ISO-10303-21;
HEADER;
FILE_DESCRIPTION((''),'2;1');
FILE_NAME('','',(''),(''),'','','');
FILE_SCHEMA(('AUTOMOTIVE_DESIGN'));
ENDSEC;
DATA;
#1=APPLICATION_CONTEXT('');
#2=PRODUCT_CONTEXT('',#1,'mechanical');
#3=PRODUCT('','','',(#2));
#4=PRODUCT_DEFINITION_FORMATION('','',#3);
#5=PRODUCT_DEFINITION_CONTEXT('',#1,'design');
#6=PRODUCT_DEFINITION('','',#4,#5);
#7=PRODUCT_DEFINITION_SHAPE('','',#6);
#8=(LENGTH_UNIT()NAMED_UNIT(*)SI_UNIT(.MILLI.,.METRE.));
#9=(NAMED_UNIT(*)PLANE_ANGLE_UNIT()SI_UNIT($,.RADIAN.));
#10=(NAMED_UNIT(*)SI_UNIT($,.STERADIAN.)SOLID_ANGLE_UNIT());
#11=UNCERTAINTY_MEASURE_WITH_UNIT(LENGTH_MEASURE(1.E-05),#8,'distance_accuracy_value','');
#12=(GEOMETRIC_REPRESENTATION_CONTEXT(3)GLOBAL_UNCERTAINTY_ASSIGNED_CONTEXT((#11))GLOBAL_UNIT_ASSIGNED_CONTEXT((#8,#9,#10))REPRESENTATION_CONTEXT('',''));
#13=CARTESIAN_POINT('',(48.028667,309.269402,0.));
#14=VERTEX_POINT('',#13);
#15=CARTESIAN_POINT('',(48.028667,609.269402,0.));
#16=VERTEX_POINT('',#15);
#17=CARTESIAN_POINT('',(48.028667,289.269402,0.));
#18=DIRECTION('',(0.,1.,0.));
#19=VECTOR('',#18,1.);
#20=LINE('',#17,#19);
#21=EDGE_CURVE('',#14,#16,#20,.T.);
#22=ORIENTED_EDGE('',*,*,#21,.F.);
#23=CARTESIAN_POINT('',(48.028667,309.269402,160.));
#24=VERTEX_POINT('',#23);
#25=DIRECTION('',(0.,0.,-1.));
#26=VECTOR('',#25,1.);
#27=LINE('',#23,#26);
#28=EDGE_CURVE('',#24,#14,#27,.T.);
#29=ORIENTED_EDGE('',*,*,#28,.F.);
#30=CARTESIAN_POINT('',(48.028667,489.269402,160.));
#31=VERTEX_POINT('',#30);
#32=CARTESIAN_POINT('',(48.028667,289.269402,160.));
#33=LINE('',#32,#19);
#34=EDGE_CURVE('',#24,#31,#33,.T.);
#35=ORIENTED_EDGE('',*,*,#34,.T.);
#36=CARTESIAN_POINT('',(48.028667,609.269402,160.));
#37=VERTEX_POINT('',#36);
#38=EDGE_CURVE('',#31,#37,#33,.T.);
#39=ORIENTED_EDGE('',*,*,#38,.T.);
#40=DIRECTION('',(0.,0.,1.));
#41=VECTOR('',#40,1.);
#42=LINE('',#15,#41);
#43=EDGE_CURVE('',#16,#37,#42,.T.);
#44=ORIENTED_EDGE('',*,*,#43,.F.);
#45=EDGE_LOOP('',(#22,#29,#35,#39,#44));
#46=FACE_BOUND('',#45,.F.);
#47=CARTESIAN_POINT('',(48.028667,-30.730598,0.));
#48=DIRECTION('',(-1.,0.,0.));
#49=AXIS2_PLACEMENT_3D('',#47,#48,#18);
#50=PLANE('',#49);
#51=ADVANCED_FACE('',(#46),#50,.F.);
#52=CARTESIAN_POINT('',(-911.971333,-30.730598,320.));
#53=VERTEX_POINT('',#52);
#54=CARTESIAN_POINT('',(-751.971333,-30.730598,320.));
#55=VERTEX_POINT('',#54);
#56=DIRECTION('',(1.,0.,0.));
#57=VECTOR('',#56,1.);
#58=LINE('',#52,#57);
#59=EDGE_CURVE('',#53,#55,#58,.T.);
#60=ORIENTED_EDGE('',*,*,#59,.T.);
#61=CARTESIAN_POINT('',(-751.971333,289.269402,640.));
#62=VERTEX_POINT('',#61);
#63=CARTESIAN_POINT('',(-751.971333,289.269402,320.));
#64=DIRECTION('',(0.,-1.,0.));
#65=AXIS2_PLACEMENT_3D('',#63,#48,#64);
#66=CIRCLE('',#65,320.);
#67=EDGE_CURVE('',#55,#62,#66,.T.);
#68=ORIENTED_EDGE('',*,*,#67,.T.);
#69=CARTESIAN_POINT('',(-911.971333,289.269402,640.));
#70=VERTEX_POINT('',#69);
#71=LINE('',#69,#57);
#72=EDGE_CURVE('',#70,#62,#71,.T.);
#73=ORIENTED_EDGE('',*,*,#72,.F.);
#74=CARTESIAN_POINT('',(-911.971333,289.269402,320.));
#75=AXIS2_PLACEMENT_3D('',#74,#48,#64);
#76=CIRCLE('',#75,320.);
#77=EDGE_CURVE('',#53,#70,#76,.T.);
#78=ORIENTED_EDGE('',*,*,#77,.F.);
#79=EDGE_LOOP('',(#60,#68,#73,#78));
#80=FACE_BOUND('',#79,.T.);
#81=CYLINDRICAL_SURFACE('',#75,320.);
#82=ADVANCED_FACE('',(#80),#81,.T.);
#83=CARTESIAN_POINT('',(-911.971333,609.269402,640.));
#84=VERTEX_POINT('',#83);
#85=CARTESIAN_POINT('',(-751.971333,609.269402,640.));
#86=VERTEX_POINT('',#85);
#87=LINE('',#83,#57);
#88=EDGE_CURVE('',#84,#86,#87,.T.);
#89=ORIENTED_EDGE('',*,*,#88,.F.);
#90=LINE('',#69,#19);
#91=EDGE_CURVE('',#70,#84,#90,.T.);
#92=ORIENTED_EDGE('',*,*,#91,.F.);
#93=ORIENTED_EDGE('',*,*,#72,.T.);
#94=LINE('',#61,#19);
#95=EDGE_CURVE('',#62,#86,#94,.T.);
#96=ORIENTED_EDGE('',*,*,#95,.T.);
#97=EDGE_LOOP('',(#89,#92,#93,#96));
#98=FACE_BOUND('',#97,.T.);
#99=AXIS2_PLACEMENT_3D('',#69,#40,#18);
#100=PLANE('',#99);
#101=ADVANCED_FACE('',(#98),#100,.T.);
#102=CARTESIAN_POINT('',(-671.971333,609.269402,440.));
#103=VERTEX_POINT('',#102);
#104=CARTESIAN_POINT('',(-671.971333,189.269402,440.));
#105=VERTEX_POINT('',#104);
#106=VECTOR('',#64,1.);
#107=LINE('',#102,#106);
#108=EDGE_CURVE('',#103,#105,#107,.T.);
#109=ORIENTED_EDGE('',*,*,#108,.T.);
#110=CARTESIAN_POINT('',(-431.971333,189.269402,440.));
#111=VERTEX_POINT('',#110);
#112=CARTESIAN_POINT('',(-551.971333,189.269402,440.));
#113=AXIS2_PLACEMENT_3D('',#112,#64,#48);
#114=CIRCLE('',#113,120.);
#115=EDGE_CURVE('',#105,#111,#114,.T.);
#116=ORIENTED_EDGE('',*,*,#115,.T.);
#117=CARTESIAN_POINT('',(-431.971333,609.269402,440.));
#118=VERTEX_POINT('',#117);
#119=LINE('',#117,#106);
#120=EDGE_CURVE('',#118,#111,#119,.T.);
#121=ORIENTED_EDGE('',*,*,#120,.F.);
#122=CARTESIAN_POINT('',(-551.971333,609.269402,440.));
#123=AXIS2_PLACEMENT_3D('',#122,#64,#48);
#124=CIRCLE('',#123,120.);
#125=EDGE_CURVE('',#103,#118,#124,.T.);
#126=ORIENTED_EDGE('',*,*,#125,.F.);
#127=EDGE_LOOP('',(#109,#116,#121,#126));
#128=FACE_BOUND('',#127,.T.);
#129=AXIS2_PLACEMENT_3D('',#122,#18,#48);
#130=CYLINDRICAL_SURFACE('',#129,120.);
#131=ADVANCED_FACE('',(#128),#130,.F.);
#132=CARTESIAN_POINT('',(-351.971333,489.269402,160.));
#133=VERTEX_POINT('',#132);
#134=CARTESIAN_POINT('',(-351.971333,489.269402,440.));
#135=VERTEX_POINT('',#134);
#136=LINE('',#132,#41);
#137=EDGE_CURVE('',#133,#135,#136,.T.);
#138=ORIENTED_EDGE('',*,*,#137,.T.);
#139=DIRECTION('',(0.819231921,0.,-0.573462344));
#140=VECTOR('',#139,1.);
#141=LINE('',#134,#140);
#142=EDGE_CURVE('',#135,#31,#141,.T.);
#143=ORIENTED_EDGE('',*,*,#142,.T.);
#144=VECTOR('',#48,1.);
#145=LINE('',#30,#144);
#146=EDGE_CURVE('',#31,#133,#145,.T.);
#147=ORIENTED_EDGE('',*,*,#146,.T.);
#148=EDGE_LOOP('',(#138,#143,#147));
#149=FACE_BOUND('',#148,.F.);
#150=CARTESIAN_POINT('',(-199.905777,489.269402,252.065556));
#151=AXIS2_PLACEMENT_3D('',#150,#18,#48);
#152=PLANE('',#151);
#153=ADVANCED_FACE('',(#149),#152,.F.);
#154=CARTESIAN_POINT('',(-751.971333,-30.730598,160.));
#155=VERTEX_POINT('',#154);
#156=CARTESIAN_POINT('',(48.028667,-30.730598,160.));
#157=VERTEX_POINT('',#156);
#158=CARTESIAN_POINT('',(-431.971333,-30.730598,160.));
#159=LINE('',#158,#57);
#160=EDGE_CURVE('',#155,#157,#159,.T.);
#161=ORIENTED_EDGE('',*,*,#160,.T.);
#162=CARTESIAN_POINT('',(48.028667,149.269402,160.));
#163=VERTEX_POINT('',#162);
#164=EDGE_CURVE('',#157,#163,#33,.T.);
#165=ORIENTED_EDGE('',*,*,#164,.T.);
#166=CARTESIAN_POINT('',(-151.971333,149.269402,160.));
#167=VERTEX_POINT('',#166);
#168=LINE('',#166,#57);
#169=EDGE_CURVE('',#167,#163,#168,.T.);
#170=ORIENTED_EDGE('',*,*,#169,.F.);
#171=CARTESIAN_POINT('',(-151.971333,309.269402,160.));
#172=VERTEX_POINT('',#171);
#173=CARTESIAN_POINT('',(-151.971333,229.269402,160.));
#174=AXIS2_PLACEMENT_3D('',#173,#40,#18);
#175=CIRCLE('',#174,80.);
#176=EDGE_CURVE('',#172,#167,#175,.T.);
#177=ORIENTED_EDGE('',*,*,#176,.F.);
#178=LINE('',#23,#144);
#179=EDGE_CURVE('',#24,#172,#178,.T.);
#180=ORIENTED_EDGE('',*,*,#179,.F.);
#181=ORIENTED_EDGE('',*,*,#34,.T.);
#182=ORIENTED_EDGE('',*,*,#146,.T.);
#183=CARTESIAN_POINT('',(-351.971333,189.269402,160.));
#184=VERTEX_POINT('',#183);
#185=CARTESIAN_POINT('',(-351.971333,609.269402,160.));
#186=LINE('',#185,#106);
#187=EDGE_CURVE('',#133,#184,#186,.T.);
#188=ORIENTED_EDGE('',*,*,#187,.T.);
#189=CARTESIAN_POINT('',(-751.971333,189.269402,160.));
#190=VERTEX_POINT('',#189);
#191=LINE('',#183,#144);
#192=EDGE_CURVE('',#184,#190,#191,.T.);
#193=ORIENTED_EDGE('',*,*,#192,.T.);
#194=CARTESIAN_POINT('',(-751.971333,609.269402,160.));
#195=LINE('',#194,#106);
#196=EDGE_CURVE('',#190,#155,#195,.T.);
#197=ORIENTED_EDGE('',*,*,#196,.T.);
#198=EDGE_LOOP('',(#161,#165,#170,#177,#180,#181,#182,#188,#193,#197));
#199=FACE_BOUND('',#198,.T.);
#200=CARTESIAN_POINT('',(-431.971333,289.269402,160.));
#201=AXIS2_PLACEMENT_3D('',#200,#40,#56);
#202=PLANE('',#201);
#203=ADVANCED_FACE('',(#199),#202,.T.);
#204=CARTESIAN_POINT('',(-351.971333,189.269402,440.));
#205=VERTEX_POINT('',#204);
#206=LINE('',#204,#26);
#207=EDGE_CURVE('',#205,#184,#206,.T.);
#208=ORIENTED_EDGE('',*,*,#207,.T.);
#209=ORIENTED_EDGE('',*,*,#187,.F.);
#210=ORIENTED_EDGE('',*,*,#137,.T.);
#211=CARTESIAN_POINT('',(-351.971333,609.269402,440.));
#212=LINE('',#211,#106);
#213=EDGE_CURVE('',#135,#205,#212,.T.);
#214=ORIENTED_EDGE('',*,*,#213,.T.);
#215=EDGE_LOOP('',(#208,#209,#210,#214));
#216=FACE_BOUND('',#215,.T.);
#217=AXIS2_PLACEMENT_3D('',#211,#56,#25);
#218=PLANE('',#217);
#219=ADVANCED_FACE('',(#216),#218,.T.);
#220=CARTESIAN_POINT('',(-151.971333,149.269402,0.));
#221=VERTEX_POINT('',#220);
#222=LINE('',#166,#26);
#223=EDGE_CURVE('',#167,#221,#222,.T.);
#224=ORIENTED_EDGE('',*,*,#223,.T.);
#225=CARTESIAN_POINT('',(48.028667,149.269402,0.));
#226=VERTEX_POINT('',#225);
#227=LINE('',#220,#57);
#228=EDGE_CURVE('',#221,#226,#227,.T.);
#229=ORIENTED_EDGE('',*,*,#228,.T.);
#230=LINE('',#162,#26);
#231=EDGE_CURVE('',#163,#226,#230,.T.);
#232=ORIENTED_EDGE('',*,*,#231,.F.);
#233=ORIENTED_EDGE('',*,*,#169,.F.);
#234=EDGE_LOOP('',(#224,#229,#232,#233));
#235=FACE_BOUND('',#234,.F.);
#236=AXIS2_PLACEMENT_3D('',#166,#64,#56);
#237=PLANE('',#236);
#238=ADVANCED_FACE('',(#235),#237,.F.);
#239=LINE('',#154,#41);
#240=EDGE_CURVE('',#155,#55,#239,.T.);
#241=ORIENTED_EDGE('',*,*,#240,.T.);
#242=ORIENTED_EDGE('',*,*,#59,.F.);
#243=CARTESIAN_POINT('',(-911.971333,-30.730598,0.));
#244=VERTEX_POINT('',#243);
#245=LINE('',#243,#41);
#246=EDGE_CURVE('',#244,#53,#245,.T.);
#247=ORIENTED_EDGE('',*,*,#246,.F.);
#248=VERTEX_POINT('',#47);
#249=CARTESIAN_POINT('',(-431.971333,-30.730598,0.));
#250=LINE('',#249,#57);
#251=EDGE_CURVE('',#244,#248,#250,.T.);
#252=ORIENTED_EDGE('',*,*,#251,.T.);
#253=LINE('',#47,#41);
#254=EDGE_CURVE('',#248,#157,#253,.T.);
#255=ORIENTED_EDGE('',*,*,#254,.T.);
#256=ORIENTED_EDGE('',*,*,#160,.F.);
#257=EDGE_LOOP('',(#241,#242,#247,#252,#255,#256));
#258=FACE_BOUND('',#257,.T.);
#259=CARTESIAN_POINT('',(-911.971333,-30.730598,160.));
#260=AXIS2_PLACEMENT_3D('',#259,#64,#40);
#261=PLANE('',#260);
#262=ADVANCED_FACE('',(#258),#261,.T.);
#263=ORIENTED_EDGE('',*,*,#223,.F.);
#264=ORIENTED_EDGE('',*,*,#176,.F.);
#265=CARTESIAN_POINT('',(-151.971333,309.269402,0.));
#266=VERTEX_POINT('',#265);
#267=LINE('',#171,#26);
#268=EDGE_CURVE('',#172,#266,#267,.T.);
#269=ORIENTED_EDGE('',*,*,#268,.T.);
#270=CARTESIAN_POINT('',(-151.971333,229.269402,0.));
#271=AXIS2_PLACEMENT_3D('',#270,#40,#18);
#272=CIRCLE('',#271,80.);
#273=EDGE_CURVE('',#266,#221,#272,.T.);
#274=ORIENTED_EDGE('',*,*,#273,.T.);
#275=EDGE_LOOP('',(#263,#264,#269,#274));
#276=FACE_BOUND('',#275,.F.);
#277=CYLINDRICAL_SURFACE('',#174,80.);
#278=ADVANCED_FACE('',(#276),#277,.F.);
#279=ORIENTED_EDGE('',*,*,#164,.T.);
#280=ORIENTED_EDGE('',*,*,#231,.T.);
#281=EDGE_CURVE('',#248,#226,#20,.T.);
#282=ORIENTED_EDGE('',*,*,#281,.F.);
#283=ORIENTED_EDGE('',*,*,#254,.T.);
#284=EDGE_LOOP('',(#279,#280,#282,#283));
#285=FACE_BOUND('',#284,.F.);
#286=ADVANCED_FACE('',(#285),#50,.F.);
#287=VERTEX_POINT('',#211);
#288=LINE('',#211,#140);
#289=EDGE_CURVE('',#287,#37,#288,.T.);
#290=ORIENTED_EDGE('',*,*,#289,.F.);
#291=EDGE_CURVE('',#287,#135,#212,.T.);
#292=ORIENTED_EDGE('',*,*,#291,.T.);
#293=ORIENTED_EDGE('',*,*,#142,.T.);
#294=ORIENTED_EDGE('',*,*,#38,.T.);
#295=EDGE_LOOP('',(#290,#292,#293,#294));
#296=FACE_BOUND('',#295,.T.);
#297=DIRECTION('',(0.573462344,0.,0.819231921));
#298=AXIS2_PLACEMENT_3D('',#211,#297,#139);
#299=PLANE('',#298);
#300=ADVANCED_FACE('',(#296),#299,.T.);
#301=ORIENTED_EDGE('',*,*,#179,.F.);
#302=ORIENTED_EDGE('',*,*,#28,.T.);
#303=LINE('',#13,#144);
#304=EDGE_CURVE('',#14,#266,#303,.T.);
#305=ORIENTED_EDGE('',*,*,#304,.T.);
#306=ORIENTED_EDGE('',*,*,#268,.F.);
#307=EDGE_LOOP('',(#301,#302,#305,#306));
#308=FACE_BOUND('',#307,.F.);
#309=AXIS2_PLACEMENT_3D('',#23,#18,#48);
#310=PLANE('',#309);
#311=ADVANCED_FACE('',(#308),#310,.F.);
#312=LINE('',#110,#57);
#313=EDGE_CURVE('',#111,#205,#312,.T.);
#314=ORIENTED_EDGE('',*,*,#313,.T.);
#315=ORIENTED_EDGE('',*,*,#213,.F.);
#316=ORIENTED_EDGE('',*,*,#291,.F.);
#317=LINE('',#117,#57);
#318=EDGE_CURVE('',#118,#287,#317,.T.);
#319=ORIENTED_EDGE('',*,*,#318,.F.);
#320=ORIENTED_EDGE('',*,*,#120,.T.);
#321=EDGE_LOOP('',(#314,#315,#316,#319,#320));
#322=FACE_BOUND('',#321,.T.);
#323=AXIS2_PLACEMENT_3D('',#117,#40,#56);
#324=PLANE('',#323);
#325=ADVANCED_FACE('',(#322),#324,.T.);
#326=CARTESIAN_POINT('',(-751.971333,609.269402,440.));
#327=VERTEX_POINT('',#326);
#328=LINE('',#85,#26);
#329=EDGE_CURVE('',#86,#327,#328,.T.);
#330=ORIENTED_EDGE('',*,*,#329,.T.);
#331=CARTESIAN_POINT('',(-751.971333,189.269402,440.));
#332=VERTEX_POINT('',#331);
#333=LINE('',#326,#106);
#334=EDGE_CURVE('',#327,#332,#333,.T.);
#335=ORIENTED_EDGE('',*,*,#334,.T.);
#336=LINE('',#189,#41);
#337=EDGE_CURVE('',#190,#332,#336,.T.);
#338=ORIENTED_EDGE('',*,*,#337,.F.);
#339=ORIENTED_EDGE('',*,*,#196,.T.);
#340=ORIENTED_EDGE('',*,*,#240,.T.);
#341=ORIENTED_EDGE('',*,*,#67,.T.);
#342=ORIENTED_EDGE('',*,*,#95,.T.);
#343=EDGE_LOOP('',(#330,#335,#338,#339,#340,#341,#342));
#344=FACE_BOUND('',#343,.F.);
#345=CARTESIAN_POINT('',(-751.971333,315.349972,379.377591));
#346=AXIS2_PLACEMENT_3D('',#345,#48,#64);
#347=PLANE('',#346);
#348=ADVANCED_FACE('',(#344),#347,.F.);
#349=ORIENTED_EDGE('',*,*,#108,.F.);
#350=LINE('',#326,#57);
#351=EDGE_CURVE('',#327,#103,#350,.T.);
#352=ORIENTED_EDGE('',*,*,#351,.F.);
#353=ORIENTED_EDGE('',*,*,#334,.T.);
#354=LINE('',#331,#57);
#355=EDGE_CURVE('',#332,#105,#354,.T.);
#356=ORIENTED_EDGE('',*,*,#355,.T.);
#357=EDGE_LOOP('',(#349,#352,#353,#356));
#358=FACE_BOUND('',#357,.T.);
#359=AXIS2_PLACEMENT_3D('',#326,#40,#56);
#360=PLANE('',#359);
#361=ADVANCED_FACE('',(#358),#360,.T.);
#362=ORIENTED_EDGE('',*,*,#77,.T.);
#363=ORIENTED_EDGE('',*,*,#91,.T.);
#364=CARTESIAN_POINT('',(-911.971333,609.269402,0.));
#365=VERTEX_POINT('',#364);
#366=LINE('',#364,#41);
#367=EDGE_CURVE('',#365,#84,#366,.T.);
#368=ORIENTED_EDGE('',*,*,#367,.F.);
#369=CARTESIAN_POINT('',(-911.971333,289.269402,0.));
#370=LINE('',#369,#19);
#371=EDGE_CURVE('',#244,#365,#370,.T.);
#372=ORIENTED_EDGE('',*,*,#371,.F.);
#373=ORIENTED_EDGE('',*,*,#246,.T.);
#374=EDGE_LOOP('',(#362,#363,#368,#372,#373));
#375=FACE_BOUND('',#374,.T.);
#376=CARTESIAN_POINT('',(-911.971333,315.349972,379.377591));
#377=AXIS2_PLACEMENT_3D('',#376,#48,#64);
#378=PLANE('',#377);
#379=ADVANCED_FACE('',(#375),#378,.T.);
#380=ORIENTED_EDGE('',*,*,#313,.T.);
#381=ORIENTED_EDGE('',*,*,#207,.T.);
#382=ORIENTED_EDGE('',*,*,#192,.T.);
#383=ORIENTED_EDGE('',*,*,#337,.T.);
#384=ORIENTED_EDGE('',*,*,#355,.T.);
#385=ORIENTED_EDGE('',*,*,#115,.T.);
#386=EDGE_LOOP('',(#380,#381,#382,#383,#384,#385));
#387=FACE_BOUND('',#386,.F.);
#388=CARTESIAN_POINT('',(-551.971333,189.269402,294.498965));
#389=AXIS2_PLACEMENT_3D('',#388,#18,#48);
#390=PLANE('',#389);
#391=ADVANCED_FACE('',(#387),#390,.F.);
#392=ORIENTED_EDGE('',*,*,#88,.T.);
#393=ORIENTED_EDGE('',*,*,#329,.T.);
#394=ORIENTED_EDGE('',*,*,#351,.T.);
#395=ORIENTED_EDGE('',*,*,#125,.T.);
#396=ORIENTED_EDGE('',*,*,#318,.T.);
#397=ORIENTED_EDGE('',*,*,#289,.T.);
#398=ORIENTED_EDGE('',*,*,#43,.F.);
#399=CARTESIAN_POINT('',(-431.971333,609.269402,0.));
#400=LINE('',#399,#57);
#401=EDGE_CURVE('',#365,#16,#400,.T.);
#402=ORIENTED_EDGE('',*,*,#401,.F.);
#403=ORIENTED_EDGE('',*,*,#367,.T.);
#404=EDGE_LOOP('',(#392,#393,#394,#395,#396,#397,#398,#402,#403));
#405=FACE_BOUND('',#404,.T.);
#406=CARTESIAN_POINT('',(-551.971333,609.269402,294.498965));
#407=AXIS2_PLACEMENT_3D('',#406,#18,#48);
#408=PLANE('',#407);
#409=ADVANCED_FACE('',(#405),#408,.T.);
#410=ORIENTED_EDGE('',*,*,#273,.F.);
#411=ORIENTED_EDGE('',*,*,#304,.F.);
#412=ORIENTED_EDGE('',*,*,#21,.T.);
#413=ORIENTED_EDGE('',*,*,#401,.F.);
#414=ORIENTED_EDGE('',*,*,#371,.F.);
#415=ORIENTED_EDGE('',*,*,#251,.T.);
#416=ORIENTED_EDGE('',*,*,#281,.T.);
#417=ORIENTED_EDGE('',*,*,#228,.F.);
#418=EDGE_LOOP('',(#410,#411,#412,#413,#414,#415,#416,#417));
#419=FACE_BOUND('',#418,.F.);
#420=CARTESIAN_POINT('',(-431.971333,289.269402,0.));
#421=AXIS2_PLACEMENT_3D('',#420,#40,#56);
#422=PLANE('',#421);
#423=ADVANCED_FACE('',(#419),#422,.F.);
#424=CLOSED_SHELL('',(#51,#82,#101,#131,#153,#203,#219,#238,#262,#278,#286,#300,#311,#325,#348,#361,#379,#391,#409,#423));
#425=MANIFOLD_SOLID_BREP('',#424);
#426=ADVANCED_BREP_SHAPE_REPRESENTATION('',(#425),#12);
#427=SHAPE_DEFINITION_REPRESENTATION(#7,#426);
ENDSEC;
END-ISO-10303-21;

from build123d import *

# Parameters (mm, degrees)
F0_W     = 960
F0_H     = 640
F1_DEPTH = 160
F3_DEPTH = 160
F5_DEPTH = 120
F7_DEPTH = 420
F9_DEPTH = 160


with BuildPart() as f1:
    # F0 (on Top) → F1 (new body)
    with BuildSketch(Plane.XY):
        with Locations((-431.9713334739, 289.2694023252)):
            Rectangle(F0_W, F0_H)
    extrude(amount=F1_DEPTH)

    # F2 (on face) → F3 (join)
    with BuildSketch(Plane(origin=(-911.9713334739, 0, 0), x_dir=(0, -1, 0), z_dir=(-1, 0, 0))):
        with BuildLine():
            Line((-609.2694023252, 640), (-609.2694023252, 160))
            Line((-609.2694023252, 160), (30.7305976748, 160))
            Line((30.7305976748, 160), (30.7305976748, 320))
            ThreePointArc((30.7305976748, 320), (-62.9952323455, 546.2741699797), (-289.2694023252, 640))
            Line((-289.2694023252, 640), (-609.2694023252, 640))
        make_face()
    extrude(amount=-F3_DEPTH)

    # F4 (on face) → F5 (join)
    with BuildSketch(Plane(origin=(0, 609.2694023252, 0), x_dir=(-1, 0, 0), z_dir=(0, 1, 0))):
        Polygon((-48.0286665261, 160), (351.9713334739, 160), (351.9713334739, 440), align=None)
    extrude(amount=-F5_DEPTH)

    # F6 (on face) → F7 (join)
    with BuildSketch(Plane(origin=(0, 609.2694023252, 0), x_dir=(-1, 0, 0), z_dir=(0, 1, 0))):
        with BuildLine():
            Line((431.9713334739, 440), (351.9713334739, 440))
            Line((351.9713334739, 440), (351.9713334739, 160))
            Line((351.9713334739, 160), (751.9713334739, 160))
            Line((751.9713334739, 160), (751.9713334739, 440))
            Line((751.9713334739, 440), (671.9713334739, 440))
            ThreePointArc((671.9713334739, 440), (551.9713334739, 320), (431.9713334739, 440))
        make_face()
    extrude(amount=-F7_DEPTH)

    # F8 (on face) → F9 (cut)
    with BuildSketch(Plane.XY.offset(160)):
        with BuildLine():
            Line((-151.9713334739, 149.2694023252), (48.0286665261, 149.2694023252))
            Line((48.0286665261, 149.2694023252), (48.0286665261, 309.2694023252))
            Line((48.0286665261, 309.2694023252), (-151.9713334739, 309.2694023252))
            ThreePointArc((-151.9713334739, 309.2694023252), (-231.9713334739, 229.2694023252), (-151.9713334739, 149.2694023252))
        make_face()
    extrude(amount=-F9_DEPTH, mode=Mode.SUBTRACT)


solid = f1.part
